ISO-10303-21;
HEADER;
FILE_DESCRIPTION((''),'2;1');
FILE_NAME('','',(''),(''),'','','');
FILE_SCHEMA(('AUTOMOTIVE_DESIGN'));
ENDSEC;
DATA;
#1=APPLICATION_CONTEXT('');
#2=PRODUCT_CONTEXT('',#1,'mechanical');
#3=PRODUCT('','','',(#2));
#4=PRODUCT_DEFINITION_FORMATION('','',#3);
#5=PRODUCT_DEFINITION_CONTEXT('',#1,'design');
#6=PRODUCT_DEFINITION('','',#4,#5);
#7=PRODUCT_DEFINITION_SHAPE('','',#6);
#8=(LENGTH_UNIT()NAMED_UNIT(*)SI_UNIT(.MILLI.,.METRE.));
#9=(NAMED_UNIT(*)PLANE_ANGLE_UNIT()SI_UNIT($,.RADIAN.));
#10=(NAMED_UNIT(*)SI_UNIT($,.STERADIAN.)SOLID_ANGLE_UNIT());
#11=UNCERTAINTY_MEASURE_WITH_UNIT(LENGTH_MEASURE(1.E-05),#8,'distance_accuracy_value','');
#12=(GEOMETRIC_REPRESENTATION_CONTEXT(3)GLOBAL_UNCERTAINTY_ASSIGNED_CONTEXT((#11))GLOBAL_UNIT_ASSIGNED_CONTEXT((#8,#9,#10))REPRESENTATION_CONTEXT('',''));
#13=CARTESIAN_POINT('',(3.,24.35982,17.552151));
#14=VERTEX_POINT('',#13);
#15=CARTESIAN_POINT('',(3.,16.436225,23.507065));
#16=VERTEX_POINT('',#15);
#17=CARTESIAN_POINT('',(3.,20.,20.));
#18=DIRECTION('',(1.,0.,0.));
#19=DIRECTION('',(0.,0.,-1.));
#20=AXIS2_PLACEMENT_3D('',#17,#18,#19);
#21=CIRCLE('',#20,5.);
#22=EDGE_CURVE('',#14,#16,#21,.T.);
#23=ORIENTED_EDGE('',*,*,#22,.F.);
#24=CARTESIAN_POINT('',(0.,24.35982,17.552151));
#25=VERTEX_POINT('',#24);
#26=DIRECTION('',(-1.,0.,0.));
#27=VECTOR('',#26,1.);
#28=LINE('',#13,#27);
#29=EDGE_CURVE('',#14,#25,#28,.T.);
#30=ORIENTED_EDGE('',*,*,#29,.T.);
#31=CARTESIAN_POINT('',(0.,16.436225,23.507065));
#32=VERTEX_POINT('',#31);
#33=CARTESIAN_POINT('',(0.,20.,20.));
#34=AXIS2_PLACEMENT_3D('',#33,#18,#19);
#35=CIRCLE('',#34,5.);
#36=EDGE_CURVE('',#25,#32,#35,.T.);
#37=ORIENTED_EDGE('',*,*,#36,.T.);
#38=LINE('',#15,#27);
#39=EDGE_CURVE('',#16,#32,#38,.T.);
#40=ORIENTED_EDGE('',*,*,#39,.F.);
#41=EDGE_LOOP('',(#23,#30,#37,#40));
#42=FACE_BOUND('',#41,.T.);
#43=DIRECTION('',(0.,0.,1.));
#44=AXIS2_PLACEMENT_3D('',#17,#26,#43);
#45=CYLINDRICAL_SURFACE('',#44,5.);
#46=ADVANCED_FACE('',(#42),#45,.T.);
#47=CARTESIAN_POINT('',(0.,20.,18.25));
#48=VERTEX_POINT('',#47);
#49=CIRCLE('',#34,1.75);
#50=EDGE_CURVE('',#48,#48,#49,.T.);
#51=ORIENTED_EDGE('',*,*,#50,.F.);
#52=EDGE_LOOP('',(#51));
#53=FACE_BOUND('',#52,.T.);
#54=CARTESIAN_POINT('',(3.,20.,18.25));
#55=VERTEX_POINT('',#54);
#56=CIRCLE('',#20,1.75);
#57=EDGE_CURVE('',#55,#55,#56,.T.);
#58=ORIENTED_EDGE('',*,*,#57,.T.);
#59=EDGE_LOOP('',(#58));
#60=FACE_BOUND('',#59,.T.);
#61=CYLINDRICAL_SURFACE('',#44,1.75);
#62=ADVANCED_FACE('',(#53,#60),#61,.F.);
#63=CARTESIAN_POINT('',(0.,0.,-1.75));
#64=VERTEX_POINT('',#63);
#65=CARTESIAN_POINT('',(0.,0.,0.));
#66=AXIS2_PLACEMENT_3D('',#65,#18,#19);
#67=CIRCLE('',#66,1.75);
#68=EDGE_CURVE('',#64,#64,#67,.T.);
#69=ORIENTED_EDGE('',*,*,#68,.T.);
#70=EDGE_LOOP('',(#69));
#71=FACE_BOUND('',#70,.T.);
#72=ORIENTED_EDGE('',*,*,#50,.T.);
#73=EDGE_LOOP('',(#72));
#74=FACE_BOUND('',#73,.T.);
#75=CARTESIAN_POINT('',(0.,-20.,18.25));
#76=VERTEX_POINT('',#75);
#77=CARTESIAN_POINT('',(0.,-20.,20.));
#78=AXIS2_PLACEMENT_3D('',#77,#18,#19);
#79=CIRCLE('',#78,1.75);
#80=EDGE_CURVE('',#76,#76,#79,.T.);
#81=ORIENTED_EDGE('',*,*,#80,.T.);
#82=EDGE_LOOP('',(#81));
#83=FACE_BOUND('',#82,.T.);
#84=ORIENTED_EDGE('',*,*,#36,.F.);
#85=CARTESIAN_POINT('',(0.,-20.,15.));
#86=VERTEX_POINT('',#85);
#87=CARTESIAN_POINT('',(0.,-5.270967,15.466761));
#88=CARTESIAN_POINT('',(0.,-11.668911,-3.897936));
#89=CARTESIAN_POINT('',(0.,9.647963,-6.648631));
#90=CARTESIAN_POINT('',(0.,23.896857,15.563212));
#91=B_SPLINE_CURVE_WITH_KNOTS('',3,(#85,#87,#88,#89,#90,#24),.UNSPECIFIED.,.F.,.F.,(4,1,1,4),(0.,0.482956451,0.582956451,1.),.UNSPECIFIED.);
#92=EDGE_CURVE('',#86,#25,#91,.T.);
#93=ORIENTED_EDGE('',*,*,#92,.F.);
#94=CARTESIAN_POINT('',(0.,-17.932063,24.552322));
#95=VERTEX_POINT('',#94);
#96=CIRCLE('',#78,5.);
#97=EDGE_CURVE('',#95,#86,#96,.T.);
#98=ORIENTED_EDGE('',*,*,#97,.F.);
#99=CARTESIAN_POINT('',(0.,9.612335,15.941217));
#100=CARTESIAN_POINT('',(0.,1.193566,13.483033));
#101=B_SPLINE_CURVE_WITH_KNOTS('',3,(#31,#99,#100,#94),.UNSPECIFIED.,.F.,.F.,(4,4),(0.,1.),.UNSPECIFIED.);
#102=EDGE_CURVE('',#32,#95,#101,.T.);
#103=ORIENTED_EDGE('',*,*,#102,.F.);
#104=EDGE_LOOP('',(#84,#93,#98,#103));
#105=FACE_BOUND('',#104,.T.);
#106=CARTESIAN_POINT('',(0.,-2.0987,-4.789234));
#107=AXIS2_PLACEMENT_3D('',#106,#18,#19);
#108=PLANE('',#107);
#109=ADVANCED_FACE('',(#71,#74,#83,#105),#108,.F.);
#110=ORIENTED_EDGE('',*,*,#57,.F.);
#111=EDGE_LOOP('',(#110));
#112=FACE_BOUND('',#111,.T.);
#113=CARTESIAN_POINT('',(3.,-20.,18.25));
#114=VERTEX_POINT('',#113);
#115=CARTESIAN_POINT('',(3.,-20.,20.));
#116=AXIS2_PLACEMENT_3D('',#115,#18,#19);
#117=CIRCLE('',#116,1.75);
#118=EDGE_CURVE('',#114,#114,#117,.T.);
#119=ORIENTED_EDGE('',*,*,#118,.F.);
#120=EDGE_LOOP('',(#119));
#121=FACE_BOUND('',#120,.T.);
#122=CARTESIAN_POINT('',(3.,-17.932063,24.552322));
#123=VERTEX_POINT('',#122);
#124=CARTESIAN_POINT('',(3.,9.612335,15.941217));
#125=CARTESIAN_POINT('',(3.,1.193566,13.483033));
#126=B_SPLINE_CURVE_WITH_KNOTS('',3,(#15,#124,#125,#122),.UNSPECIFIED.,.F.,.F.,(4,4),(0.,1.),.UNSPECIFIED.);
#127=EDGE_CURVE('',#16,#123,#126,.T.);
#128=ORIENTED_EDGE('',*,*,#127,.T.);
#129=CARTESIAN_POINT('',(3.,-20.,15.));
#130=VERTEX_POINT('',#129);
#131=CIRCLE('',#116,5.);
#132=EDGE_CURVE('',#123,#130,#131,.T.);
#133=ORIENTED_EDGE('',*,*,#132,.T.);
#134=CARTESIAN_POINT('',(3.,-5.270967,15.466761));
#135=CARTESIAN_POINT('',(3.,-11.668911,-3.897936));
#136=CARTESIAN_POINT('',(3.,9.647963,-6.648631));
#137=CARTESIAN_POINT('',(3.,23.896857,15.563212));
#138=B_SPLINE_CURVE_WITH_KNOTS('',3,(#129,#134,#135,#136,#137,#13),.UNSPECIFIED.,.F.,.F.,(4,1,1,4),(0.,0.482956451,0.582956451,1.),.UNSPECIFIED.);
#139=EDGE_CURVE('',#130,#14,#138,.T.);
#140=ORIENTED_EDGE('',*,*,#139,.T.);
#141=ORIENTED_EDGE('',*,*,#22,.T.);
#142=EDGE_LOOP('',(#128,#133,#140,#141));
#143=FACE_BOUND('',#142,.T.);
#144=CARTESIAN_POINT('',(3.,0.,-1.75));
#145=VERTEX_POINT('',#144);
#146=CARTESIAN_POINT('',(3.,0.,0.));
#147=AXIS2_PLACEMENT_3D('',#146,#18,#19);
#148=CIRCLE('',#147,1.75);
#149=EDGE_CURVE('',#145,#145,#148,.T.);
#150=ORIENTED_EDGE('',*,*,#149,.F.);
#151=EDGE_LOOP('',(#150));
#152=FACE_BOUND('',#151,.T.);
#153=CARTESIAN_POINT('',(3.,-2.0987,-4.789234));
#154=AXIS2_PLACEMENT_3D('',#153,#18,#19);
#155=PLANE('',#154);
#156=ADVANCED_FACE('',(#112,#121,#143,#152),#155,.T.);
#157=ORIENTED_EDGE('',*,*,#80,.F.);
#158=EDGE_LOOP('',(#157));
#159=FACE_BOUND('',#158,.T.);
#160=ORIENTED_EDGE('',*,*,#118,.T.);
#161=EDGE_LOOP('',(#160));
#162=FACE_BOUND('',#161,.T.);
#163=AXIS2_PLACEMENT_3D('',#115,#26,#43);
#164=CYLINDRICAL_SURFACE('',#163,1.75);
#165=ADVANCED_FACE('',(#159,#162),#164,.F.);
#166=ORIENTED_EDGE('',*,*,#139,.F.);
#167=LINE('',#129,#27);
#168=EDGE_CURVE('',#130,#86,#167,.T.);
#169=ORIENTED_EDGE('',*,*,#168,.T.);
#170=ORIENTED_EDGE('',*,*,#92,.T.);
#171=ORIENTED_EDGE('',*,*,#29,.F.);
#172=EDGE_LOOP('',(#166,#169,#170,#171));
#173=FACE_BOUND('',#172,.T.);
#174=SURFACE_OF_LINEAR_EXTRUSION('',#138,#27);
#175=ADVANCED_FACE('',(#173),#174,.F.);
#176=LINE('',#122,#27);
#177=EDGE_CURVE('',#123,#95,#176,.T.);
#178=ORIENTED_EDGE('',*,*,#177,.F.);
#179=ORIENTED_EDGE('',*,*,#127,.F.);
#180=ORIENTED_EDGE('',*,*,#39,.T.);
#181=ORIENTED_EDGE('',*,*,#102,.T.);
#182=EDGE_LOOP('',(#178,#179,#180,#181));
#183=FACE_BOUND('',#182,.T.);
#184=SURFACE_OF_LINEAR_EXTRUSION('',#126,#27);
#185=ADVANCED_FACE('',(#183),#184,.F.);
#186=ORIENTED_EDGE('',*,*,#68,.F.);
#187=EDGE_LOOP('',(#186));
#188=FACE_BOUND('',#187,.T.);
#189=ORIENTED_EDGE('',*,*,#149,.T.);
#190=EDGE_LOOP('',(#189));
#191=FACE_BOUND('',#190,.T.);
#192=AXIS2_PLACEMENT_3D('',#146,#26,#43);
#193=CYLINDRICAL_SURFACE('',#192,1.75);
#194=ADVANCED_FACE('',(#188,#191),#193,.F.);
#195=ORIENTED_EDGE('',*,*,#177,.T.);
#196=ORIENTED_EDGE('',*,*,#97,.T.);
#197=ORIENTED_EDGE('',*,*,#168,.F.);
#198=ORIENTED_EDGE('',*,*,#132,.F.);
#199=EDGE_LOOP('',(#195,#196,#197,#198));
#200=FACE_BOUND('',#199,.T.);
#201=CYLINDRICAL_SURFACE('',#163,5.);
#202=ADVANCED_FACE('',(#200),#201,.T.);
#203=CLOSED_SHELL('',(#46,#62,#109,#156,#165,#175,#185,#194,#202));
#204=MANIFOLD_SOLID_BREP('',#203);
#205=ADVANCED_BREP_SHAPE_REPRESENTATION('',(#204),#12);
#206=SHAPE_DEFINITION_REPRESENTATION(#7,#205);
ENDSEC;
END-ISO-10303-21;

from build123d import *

# Parameters (mm, degrees)
CROQUIS1_R              = 1.75
SALIENTE_EXTRUIR2_DEPTH = 3


with BuildPart() as part:
    # Croquis1 → Saliente-Extruir2 (new body)
    with BuildSketch(Plane(origin=(0, 0, 0), x_dir=(0, 0, -1), z_dir=(1, 0, 0))):
        with BuildLine():
            ThreePointArc((-24.552322054, -17.932062883), (-21.057920066, -24.886799068), (-15, -20))
            add(Edge.make_bspline(
                [(-15, -20), (-15.466760547, -5.270966712), (3.897936139, -11.668910874), (6.648630912, 9.647963486), (-15.563211903, 23.896857347), (-17.552150511, 24.359820281)],
                knots=[0, 0, 0, 0, 0.482956451, 0.582956451, 1, 1, 1, 1], degree=3))
            ThreePointArc((-17.552150511, 24.359820281), (-23.997039566, 23.003943193), (-23.507065356, 16.436224953))
            add(Edge.make_bspline(
                [(-24.552322054, -17.932062883), (-13.483033173, 1.193565845), (-15.941216968, 9.612334544), (-23.507065356, 16.436224953)],
                knots=[0, 0, 0, 0, 1, 1, 1, 1], degree=3))
        make_face()
        with Locations((-20, 20)):
            Circle(CROQUIS1_R, mode=Mode.SUBTRACT)
        Circle(CROQUIS1_R, mode=Mode.SUBTRACT)
        with Locations((-20, -20)):
            Circle(CROQUIS1_R, mode=Mode.SUBTRACT)
    extrude(amount=SALIENTE_EXTRUIR2_DEPTH)


solid = part.part
